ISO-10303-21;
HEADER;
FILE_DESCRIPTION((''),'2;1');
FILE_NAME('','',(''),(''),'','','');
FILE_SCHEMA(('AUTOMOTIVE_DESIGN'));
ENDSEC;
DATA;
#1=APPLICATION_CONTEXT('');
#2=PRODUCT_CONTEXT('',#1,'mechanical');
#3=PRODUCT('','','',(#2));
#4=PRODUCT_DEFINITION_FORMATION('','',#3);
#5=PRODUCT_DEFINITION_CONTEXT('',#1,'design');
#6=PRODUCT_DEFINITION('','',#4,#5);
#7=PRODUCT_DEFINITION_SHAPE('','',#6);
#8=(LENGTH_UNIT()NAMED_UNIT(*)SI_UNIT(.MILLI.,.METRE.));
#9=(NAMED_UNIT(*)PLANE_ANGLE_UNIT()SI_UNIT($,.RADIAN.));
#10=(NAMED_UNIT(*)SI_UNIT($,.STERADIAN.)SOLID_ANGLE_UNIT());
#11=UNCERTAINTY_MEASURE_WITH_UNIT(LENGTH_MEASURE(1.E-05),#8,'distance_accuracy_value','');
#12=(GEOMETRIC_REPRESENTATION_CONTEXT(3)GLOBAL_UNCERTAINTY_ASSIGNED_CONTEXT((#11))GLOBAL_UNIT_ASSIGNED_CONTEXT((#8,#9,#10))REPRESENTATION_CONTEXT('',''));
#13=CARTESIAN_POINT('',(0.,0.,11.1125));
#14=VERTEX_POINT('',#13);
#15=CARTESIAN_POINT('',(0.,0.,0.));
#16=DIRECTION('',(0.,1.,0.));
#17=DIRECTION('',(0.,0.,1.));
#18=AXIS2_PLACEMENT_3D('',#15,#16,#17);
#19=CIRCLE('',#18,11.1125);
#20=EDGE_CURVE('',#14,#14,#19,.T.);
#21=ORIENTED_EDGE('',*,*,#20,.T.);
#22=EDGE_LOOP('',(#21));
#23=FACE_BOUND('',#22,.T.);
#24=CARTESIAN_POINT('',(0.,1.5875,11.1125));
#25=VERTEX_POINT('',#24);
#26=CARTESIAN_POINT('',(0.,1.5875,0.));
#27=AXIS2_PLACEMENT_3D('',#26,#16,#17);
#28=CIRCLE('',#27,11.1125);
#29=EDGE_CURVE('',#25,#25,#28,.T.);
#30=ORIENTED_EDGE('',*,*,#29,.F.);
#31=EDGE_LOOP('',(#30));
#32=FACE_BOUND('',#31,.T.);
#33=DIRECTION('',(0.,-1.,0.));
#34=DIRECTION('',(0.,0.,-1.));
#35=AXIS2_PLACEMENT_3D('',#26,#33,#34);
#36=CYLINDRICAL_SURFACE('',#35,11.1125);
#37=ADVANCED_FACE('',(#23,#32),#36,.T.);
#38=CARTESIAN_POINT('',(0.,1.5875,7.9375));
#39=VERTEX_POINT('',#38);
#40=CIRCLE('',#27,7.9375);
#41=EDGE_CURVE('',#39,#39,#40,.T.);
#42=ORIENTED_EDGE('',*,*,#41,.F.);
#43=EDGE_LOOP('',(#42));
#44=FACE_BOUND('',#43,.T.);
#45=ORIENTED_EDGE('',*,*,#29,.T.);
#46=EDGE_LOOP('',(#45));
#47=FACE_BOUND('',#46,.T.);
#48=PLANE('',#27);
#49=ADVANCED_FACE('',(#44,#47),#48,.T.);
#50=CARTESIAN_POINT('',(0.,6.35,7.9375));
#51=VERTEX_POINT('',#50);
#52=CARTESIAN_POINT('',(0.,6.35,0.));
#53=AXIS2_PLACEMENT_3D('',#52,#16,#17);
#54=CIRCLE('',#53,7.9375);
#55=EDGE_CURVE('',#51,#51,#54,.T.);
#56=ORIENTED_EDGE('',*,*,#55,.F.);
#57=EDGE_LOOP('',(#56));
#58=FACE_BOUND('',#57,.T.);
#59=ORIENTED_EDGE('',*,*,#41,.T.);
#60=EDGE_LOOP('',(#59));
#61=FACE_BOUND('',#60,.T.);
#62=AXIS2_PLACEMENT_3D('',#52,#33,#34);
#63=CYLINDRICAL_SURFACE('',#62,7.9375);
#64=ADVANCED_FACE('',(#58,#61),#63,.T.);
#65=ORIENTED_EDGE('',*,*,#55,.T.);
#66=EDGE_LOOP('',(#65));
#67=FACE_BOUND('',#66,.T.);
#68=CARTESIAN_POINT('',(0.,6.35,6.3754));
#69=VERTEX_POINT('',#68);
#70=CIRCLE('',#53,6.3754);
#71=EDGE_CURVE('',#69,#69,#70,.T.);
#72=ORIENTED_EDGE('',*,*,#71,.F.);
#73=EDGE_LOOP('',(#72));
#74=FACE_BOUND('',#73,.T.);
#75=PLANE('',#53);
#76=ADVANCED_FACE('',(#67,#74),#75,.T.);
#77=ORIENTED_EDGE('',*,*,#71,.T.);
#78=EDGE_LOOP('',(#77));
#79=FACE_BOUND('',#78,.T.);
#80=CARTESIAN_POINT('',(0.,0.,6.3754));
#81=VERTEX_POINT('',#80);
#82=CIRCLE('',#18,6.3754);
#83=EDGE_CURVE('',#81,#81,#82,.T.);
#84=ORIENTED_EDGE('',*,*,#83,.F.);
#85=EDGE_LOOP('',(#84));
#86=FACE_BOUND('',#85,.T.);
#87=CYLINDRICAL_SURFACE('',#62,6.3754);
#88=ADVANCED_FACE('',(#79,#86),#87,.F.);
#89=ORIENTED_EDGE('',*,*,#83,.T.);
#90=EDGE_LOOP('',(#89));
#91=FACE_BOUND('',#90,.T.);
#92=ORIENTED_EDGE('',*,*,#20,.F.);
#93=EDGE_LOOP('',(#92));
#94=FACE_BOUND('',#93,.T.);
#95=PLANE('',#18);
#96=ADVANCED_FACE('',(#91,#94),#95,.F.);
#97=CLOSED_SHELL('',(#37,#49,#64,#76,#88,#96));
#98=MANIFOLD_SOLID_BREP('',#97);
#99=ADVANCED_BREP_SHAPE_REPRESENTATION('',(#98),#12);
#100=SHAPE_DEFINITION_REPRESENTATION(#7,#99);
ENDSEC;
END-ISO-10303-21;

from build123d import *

# Parameters (mm, degrees)
SKETCH2_R           = 7.9375
SKETCH2_R_2         = 6.3754
BOSS_EXTRUDE1_DEPTH = 6.35
SKETCH3_R           = 11.1125
SKETCH3_R_2         = 7.9375
BOSS_EXTRUDE2_DEPTH = 1.5875


with BuildPart() as part:
    # Sketch2 → Boss-Extrude1 (new body)
    with BuildSketch(Plane(origin=(0, 0, 0), x_dir=(1, 0, 0), z_dir=(0, 1, 0))):
        with Locations(Location((0, 0, 0), (0, 0, 270))):
            Circle(SKETCH2_R)
        with Locations(Location((0, 0, 0), (0, 0, 270))):
            Circle(SKETCH2_R_2, mode=Mode.SUBTRACT)
    extrude(amount=BOSS_EXTRUDE1_DEPTH)

    # Sketch3 → Boss-Extrude2 (add)
    with BuildSketch(Plane(origin=(0, 0, 0), x_dir=(1, 0, 0), z_dir=(0, 1, 0))):
        with Locations(Location((0, 0, 0), (0, 0, 270))):
            Circle(SKETCH3_R)
        with Locations(Location((0, 0, 0), (0, 0, 270))):
            Circle(SKETCH3_R_2, mode=Mode.SUBTRACT)
    extrude(amount=BOSS_EXTRUDE2_DEPTH)


solid = part.part
